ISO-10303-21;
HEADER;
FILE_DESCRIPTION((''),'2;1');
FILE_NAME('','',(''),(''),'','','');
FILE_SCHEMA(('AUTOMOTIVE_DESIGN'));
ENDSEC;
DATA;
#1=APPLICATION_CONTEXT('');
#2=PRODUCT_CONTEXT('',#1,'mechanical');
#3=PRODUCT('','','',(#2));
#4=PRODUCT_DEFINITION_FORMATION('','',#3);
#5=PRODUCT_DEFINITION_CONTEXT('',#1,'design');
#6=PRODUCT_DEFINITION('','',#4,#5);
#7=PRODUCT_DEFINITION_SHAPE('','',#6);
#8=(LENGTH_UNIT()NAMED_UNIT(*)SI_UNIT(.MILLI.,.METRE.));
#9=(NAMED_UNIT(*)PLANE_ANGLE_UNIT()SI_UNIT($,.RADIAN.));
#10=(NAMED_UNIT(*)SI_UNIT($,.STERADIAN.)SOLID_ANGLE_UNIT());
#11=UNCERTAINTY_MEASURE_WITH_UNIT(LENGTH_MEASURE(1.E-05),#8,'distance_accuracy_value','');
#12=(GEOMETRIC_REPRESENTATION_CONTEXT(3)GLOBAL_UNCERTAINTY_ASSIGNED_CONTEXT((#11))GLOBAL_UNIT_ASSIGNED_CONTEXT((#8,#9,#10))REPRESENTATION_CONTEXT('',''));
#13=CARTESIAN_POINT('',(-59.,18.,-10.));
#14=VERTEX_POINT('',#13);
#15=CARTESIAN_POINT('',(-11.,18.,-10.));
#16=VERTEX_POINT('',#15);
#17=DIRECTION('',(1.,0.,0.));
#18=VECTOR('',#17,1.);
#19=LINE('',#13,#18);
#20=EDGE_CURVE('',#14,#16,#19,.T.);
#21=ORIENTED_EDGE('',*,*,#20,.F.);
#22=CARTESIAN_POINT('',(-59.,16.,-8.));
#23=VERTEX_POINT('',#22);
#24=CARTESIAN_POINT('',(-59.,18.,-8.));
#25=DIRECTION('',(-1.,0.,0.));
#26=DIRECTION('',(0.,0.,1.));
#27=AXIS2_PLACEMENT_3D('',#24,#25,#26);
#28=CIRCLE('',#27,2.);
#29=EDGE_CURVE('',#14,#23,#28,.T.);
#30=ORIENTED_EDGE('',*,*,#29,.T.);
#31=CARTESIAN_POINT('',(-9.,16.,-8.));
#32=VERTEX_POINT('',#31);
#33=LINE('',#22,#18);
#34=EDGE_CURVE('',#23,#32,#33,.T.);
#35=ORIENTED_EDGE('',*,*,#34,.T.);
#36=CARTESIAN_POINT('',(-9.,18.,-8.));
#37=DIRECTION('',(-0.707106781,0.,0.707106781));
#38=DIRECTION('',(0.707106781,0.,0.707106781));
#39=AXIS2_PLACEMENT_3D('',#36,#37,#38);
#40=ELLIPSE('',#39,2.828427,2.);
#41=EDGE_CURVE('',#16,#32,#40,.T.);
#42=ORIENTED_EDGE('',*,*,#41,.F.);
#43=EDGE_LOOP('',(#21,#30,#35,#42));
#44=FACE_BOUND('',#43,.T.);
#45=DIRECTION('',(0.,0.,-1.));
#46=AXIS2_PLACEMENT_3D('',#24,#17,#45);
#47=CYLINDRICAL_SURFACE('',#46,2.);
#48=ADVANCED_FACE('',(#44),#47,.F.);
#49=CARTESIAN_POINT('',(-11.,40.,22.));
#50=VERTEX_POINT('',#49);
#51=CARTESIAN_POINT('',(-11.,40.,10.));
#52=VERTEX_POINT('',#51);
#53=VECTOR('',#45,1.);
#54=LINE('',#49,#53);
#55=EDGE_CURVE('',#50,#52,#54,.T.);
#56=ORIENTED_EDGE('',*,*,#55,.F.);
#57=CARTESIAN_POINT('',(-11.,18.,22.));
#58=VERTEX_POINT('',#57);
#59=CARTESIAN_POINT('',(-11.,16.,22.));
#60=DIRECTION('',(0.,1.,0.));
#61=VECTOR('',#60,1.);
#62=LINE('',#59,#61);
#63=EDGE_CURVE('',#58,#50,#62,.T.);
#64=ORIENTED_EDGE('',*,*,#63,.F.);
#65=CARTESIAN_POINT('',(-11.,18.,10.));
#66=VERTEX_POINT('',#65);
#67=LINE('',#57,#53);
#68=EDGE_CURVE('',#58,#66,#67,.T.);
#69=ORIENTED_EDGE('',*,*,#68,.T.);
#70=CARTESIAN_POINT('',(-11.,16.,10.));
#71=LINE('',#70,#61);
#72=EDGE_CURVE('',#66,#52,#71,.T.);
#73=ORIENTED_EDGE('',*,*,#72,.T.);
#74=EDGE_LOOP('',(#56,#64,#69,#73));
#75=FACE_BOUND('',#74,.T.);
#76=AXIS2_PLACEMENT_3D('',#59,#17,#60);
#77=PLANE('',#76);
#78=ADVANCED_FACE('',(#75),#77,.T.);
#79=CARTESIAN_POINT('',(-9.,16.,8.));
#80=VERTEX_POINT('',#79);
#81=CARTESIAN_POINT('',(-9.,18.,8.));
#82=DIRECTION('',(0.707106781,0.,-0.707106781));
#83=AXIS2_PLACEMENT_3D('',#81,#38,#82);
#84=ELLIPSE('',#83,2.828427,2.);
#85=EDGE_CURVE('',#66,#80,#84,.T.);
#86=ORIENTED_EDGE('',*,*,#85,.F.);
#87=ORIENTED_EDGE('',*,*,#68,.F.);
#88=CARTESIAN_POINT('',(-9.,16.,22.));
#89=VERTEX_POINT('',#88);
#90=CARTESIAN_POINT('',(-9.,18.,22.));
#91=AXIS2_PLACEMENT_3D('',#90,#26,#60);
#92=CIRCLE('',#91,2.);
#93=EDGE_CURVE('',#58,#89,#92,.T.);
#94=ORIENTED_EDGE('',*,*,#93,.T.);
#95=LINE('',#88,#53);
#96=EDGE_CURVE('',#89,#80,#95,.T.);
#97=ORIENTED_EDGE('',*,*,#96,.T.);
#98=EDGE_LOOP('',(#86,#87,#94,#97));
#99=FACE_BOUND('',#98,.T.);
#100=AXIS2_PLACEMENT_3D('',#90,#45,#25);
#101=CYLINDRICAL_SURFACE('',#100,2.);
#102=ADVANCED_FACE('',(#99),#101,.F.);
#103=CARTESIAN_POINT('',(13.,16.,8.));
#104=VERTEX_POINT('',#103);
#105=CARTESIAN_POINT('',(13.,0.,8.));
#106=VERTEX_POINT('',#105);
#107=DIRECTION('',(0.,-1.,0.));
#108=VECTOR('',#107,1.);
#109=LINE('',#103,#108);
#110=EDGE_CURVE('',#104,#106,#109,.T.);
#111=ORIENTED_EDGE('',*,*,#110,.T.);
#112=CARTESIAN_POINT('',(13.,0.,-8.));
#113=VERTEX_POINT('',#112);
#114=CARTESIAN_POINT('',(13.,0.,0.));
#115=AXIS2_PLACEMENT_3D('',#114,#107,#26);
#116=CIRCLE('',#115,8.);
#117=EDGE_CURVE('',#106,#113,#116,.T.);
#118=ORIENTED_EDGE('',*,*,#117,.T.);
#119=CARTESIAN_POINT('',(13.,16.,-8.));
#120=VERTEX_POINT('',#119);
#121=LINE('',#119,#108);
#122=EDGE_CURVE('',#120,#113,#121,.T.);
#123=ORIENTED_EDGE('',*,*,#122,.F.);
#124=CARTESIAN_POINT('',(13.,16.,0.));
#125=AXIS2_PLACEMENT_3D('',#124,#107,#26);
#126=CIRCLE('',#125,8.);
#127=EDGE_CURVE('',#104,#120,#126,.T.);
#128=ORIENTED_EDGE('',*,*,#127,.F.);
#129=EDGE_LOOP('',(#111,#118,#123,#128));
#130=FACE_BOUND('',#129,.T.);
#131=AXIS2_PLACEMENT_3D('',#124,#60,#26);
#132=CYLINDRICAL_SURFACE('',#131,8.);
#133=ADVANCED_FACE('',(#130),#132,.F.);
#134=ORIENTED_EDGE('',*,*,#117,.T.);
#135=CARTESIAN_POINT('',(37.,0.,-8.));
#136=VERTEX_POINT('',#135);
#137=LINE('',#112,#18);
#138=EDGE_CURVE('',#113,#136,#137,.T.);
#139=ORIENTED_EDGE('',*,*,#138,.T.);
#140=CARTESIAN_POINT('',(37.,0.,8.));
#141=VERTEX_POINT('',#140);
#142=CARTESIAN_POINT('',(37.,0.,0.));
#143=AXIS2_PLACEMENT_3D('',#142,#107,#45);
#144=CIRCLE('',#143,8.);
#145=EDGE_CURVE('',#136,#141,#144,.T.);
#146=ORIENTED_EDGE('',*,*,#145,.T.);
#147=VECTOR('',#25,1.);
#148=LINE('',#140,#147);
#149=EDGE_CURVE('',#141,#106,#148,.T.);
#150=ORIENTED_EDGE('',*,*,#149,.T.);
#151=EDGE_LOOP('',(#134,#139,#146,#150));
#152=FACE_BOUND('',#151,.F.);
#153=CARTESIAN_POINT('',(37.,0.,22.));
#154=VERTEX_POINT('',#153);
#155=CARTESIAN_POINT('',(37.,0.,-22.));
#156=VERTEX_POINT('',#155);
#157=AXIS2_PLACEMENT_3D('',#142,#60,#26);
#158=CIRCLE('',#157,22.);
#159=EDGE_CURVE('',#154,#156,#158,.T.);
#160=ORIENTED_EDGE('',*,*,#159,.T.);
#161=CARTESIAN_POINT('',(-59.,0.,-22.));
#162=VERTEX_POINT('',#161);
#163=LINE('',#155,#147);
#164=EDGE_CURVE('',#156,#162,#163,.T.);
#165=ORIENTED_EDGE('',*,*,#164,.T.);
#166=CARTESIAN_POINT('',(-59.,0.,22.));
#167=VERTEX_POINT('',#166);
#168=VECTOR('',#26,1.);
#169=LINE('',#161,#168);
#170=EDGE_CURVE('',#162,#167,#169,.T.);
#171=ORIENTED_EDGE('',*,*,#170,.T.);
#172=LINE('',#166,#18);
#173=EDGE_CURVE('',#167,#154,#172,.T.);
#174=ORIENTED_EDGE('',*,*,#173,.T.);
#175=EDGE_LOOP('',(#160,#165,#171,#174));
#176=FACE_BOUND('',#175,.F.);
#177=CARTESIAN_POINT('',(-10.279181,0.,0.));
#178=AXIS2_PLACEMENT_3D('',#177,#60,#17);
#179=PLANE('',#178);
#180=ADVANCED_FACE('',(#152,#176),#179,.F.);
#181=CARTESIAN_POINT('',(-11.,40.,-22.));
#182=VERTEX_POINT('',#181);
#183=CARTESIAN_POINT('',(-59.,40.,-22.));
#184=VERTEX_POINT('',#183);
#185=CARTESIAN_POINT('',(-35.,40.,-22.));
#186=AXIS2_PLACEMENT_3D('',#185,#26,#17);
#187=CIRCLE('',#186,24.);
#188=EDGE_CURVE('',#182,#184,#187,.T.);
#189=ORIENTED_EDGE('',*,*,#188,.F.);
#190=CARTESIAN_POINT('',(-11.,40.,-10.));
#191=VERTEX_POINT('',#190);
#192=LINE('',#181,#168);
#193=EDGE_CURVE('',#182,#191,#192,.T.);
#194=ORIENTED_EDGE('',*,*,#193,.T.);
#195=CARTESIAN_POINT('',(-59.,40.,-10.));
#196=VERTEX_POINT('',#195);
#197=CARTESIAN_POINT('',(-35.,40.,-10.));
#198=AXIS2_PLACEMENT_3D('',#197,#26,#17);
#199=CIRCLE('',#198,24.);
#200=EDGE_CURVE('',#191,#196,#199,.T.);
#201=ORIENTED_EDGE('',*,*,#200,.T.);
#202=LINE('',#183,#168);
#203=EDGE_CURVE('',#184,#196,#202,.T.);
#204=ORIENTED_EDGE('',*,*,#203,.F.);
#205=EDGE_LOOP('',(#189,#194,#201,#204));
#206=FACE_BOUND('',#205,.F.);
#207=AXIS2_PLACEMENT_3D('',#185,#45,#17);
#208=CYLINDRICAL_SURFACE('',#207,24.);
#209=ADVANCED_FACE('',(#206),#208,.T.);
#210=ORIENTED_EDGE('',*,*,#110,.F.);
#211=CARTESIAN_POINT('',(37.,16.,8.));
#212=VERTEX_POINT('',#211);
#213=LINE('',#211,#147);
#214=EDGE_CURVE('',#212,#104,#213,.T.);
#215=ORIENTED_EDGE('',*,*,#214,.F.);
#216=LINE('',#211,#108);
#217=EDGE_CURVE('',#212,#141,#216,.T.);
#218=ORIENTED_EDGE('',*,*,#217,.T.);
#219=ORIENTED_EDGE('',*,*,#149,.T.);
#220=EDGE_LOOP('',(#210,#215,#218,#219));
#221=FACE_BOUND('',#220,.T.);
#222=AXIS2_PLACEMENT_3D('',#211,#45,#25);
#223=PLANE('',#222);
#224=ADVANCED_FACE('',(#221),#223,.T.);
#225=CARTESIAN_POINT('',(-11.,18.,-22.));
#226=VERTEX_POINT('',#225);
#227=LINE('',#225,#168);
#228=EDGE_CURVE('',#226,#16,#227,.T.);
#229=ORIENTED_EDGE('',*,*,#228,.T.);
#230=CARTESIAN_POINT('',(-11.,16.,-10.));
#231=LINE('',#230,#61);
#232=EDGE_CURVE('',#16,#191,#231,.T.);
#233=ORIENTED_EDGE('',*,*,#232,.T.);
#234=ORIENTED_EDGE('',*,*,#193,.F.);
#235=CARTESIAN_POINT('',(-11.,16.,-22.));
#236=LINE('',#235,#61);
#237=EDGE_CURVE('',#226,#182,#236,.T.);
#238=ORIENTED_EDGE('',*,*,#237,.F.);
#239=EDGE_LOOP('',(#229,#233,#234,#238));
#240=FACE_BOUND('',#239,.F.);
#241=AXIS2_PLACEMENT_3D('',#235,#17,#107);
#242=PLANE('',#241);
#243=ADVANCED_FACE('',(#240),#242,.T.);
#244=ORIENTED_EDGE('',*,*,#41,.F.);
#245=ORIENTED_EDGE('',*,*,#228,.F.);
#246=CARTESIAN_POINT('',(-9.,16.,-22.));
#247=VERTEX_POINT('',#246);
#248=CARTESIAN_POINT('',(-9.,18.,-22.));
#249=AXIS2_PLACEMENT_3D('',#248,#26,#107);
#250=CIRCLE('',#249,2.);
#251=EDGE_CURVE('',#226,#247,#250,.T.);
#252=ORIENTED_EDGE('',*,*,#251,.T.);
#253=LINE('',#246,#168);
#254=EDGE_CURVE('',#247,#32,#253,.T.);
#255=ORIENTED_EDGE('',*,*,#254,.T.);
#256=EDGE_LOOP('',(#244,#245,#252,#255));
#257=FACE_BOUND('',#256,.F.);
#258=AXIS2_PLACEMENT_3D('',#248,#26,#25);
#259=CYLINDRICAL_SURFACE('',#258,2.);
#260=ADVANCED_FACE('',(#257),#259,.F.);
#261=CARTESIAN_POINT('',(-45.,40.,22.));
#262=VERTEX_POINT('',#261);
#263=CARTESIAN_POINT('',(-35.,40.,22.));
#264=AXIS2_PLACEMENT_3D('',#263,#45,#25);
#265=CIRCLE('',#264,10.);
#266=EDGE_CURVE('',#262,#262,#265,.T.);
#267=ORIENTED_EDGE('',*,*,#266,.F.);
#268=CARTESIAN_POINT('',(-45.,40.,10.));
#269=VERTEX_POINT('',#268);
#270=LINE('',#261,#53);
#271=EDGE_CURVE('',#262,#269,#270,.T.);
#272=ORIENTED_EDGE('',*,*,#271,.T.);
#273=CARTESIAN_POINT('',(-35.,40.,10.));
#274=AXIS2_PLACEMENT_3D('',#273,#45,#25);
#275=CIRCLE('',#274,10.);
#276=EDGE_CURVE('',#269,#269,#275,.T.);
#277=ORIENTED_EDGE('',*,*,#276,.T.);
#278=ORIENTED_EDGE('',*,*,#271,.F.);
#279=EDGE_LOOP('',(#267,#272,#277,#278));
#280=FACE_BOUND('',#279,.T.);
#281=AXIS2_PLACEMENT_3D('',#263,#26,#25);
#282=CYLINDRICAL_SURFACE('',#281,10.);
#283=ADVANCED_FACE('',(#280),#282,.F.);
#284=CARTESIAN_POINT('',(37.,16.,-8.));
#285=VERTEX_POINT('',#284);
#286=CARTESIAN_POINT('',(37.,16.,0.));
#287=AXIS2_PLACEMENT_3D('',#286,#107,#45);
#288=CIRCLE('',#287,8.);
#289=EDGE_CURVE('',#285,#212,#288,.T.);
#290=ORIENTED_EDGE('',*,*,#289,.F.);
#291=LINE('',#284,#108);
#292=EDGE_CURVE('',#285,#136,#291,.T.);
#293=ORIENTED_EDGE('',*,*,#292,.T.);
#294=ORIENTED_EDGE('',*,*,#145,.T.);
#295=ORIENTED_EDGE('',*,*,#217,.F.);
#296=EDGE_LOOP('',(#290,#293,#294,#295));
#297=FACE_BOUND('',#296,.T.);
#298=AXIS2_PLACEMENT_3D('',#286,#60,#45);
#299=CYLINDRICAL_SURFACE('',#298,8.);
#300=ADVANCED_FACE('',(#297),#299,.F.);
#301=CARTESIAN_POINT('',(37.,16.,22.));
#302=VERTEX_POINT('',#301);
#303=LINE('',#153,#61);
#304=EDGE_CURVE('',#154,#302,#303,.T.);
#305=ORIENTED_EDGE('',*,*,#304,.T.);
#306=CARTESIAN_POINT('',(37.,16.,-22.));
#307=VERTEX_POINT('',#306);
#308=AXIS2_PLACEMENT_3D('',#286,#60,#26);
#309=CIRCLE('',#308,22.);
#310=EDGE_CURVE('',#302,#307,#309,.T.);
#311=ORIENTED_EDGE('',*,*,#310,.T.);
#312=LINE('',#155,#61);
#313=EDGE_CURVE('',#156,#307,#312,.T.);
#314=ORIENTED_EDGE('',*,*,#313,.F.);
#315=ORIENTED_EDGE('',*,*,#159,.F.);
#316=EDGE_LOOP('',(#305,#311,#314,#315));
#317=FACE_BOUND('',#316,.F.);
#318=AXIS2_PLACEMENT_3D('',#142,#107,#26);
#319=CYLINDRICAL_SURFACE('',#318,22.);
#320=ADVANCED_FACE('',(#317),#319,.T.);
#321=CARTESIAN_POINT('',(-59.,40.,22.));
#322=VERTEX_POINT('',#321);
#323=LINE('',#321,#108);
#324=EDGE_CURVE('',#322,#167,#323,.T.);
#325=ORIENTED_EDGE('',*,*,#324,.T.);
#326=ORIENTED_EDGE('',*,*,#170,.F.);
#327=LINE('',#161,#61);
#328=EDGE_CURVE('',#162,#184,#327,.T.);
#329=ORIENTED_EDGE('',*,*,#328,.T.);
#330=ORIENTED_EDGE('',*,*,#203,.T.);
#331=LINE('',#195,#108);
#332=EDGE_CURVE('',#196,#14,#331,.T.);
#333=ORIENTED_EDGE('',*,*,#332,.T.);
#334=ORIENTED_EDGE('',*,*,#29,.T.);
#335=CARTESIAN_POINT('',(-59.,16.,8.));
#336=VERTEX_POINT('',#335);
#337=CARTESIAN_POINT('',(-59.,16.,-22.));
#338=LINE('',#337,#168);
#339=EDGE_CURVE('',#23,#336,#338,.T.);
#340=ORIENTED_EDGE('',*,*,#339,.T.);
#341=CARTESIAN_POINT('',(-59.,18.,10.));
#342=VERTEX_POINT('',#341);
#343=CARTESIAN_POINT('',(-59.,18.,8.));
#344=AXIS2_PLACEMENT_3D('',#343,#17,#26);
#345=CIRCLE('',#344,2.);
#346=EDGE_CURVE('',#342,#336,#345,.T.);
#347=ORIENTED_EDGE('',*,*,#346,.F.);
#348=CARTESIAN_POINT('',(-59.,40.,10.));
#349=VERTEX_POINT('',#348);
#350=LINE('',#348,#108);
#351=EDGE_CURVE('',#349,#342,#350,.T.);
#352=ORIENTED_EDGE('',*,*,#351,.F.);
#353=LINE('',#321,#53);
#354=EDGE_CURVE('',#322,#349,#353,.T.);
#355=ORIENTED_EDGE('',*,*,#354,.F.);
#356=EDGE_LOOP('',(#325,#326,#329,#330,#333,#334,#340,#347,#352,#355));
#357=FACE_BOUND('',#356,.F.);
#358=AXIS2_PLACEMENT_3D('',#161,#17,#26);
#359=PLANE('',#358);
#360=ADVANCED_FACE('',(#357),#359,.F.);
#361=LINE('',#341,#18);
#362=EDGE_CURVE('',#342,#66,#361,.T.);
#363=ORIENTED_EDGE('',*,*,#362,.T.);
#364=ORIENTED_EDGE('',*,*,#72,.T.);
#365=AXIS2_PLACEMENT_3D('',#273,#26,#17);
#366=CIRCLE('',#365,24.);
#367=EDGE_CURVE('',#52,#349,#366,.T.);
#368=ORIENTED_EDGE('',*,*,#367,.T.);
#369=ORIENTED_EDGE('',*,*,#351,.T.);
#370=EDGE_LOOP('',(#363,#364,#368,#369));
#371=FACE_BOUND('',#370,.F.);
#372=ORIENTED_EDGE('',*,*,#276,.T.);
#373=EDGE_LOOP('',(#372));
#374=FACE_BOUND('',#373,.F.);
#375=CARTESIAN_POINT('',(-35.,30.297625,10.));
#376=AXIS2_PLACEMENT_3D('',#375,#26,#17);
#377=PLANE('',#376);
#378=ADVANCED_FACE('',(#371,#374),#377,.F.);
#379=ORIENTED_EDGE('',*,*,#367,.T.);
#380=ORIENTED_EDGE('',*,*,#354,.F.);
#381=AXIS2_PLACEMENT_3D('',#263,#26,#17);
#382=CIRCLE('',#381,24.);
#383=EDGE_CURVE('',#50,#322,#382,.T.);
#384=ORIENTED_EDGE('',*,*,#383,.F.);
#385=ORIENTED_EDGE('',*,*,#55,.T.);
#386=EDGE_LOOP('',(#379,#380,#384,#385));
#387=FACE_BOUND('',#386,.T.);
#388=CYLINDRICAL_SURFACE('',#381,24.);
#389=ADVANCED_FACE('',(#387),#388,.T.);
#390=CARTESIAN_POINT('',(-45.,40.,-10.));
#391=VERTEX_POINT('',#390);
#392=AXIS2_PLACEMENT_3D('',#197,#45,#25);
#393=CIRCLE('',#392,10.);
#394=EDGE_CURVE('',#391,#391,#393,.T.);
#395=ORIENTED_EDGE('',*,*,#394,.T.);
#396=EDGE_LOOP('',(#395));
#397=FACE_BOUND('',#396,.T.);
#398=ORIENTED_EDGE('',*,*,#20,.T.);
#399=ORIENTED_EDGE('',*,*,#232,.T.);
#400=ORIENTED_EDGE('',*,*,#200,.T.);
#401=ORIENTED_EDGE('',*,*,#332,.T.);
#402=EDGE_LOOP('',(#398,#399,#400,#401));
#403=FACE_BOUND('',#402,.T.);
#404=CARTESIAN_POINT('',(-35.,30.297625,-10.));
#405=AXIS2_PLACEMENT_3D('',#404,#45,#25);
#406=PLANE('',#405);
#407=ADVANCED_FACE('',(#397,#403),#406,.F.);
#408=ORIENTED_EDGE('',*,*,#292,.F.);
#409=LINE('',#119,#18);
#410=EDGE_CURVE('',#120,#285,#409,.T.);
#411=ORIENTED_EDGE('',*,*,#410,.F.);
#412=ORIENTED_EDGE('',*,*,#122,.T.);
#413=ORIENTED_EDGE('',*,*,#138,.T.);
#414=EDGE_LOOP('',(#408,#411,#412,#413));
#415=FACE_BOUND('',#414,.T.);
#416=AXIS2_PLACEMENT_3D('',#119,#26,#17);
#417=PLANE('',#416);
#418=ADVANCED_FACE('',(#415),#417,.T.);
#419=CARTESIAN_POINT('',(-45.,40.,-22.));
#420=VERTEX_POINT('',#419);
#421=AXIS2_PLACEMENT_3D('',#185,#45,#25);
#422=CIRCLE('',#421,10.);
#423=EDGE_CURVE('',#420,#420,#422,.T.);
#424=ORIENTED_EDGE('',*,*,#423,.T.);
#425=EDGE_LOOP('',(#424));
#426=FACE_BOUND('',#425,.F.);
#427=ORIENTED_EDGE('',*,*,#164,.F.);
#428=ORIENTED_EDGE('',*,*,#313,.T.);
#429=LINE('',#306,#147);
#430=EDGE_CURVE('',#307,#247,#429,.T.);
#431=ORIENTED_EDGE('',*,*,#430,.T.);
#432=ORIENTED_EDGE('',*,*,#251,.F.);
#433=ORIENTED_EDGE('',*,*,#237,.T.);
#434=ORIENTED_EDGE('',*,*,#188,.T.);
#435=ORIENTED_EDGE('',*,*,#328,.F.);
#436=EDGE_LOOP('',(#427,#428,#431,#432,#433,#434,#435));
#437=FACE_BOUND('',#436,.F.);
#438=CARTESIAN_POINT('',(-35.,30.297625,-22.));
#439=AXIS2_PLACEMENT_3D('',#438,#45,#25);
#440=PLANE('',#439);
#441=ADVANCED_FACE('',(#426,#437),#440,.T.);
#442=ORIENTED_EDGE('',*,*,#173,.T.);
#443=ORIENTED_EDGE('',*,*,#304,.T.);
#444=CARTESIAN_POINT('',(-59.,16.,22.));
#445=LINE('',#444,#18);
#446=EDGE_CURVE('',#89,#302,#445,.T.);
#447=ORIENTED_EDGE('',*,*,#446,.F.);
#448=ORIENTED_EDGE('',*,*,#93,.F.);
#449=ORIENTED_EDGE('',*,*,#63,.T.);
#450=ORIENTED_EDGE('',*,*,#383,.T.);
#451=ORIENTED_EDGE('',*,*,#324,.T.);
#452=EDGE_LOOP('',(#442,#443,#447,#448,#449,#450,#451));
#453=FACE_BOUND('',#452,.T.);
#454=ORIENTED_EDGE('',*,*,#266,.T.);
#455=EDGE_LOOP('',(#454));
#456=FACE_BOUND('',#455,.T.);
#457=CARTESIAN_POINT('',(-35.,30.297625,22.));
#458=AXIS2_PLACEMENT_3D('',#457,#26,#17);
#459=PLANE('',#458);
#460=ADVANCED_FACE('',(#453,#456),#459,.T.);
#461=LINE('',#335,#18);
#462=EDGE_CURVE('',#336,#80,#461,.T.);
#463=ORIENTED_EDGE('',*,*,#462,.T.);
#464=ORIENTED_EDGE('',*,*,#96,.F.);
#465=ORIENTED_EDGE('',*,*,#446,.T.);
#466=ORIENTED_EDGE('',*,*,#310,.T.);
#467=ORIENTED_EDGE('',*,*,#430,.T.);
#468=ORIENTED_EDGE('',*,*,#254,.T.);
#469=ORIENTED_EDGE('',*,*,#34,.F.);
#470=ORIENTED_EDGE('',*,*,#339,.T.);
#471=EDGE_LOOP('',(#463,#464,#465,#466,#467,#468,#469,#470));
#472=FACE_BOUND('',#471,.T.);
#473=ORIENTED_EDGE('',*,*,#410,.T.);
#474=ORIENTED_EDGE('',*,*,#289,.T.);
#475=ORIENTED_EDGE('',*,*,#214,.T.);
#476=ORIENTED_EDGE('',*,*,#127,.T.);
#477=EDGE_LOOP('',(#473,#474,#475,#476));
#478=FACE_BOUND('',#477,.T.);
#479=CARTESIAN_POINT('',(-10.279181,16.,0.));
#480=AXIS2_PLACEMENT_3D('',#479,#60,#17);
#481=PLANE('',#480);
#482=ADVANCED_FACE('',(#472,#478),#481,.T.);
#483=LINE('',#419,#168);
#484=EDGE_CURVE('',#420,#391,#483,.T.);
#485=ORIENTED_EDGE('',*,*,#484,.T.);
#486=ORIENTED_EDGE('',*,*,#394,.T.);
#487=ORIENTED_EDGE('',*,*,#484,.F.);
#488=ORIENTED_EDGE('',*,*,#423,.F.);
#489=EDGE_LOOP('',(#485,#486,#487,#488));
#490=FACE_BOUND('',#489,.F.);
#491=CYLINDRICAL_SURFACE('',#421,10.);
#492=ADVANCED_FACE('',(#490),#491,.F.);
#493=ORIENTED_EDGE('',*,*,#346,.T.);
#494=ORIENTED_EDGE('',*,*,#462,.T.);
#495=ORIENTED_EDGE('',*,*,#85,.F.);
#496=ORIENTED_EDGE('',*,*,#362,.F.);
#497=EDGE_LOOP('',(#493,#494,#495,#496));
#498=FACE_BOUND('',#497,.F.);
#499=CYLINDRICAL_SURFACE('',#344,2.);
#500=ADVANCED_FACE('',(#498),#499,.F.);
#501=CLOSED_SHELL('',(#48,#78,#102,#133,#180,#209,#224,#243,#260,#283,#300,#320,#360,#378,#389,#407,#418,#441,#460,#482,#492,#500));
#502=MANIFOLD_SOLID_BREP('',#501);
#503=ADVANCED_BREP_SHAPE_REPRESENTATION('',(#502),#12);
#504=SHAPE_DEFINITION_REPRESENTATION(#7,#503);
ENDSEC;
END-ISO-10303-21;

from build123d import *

# Parameters (mm, degrees)
SKETCH1_R           = 22
BOSS_EXTRUDE1_DEPTH = 16
CUT_EXTRUDE1_DEPTH  = 16
BOSS_EXTRUDE2_DEPTH = 12
FILLET1_R           = 2


with BuildPart() as part:
    # Sketch1 → Boss-Extrude1 (new body)
    with BuildSketch(Plane(origin=(0, 0, 0), x_dir=(1, 0, 0), z_dir=(0, 1, 0))):
        with BuildLine():
            Line((37.000000064, 22), (-59, 22))
            Line((-59, 22), (-59, -22))
            Line((-59, -22), (37, -22))
            ThreePointArc((37, -22), (15, 3.2e-08), (37.000000064, 22))
        make_face()
        with Locations((37, 0)):
            Circle(SKETCH1_R)
    extrude(amount=BOSS_EXTRUDE1_DEPTH)

    # Sketch4 → Cut-Extrude1 (cut)
    with BuildSketch(Plane(origin=(0, 16, 0), x_dir=(1, 0, 0), z_dir=(0, 1, 0))):
        with BuildLine():
            Line((37, -8), (13, -8))
            ThreePointArc((13, -8), (5, 0), (13, 8))
            Line((13, 8), (37, 8))
            ThreePointArc((37, 8), (45, 0), (37, -8))
        make_face()
    extrude(amount=-CUT_EXTRUDE1_DEPTH, mode=Mode.SUBTRACT)

    # Sketch5 → Boss-Extrude2 (add)
    with BuildSketch(Plane.XY.offset(22)):
        with BuildLine():
            ThreePointArc((-59, 40), (-51.970562748, 23.029437252), (-35, 16))
            ThreePointArc((-35, 16), (-18.029437252, 23.029437252), (-11, 40))
            Line((-11, 40), (-25, 40))
            ThreePointArc((-25, 40), (-35, 30), (-45, 40))
            Line((-45, 40), (-59, 40))
        make_face()
        with BuildLine():
            ThreePointArc((-11, 40), (-35, 64), (-59, 40))
            Line((-59, 40), (-45, 40))
            ThreePointArc((-45, 40), (-35, 50), (-25, 40))
            Line((-25, 40), (-11, 40))
        make_face()
        with BuildLine():
            Line((-59, 40), (-59, 16))
            Line((-59, 16), (-35, 16))
            ThreePointArc((-35, 16), (-51.970562748, 23.029437252), (-59, 40))
        make_face()
        with BuildLine():
            ThreePointArc((-11, 40), (-18.029437252, 23.029437252), (-35, 16))
            Line((-35, 16), (-11, 16))
            Line((-11, 16), (-11, 40))
        make_face()
    boss_extrude2 = extrude(amount=-BOSS_EXTRUDE2_DEPTH)

    # Mirror1: Boss-Extrude2 across plane
    add(boss_extrude2.mirror(Plane.XY))

    # Fillet1
    fillet1_edges = [part.edges().sort_by_distance(p)[0] for p in [
        (-11, 16, 16),
        (-35, 16, 10),
        (-35, 16, -10),
        (-11, 16, -16),
    ]]
    fillet(fillet1_edges, radius=FILLET1_R)


solid = part.part
